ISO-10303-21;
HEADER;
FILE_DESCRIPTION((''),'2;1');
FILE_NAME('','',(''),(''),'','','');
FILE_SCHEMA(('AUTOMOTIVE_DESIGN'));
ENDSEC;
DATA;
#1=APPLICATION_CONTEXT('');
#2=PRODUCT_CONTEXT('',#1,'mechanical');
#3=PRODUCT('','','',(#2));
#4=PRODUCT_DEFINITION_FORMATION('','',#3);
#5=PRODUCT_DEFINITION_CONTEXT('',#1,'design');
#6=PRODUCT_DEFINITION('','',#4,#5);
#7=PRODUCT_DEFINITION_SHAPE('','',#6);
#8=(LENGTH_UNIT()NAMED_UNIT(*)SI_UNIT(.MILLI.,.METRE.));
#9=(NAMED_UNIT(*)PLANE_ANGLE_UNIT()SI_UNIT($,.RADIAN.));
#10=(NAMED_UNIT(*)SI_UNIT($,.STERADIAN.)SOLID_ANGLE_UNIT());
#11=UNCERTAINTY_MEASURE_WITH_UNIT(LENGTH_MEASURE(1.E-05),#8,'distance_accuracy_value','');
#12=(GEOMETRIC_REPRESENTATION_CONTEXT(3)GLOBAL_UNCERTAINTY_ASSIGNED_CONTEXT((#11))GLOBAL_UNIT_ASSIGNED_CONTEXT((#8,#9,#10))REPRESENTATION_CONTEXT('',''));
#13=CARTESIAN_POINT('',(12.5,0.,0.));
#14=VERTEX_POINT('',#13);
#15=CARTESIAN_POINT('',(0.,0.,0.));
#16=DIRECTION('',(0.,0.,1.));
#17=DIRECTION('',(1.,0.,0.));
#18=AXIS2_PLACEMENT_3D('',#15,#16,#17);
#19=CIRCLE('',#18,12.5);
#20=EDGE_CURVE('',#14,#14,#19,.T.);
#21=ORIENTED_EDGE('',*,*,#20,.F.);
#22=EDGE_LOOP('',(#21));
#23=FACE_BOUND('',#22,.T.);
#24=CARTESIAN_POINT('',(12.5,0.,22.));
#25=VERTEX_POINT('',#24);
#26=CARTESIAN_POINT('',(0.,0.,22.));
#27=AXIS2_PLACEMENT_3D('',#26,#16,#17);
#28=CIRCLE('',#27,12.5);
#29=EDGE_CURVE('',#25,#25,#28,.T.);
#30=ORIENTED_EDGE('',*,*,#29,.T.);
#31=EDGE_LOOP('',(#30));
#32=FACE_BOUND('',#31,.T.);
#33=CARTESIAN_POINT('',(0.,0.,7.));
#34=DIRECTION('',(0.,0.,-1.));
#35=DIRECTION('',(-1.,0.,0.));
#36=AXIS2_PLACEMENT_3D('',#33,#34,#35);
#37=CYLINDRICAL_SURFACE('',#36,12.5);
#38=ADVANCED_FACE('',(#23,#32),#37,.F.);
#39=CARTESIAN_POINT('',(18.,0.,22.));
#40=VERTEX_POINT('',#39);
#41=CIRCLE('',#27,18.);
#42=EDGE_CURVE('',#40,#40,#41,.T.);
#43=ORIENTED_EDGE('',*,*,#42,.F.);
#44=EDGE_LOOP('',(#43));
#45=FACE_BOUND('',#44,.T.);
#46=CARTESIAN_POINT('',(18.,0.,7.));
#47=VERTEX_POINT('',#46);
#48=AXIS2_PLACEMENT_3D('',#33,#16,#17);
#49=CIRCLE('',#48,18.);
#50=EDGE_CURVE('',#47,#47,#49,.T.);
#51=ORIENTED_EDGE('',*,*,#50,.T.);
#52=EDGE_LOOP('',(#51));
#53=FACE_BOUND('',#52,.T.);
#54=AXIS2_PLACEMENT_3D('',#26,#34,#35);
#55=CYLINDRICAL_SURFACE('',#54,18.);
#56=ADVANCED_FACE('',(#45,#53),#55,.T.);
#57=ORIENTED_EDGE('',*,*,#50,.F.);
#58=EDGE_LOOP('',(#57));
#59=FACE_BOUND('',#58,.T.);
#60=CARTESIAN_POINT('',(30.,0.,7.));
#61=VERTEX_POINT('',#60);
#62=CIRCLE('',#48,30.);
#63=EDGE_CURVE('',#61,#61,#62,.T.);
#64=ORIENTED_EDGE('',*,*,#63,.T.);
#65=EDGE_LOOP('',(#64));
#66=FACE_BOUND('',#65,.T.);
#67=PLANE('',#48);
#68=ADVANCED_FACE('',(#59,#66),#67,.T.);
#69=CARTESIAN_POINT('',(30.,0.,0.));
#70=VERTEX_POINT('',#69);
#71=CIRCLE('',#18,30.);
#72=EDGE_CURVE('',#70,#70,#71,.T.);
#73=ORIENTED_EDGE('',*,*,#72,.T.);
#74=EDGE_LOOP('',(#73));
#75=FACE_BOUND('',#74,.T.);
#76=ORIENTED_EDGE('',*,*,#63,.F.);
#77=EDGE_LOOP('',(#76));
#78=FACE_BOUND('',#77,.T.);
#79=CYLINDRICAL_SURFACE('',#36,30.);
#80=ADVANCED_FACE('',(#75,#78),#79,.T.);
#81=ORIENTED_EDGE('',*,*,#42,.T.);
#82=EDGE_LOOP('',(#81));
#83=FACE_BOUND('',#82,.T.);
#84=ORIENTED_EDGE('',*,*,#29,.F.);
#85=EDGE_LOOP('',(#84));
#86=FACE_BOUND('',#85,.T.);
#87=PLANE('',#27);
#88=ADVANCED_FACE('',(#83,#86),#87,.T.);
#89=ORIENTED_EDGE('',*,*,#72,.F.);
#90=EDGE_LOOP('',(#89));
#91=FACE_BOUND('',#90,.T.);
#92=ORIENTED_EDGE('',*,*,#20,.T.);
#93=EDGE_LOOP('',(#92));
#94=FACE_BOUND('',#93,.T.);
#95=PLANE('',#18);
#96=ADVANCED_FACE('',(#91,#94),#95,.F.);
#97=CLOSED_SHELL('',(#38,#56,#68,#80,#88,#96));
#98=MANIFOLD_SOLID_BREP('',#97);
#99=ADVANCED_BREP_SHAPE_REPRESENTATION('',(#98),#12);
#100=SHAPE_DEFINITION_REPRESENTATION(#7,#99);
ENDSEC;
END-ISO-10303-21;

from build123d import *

# Parameters (mm, degrees)
SKETCH_1_R      = 30
SKETCH_1_R_2    = 12.5
EXTRUDE_1_DEPTH = 7
SKETCH_3_R      = 18
SKETCH_3_R_2    = 12.5
EXTRUDE_2_DEPTH = 15


with BuildPart() as part:
    # Эскиз1 → Вытянуть1 (new body)
    with BuildSketch(Plane.XY):
        Circle(SKETCH_1_R)
        Circle(SKETCH_1_R_2, mode=Mode.SUBTRACT)
    extrude(amount=EXTRUDE_1_DEPTH)

    # Эскиз3 → Вытянуть2 (add)
    with BuildSketch(Plane.XY.offset(7)):
        Circle(SKETCH_3_R)
        Circle(SKETCH_3_R_2, mode=Mode.SUBTRACT)
    extrude(amount=EXTRUDE_2_DEPTH)


solid = part.part
